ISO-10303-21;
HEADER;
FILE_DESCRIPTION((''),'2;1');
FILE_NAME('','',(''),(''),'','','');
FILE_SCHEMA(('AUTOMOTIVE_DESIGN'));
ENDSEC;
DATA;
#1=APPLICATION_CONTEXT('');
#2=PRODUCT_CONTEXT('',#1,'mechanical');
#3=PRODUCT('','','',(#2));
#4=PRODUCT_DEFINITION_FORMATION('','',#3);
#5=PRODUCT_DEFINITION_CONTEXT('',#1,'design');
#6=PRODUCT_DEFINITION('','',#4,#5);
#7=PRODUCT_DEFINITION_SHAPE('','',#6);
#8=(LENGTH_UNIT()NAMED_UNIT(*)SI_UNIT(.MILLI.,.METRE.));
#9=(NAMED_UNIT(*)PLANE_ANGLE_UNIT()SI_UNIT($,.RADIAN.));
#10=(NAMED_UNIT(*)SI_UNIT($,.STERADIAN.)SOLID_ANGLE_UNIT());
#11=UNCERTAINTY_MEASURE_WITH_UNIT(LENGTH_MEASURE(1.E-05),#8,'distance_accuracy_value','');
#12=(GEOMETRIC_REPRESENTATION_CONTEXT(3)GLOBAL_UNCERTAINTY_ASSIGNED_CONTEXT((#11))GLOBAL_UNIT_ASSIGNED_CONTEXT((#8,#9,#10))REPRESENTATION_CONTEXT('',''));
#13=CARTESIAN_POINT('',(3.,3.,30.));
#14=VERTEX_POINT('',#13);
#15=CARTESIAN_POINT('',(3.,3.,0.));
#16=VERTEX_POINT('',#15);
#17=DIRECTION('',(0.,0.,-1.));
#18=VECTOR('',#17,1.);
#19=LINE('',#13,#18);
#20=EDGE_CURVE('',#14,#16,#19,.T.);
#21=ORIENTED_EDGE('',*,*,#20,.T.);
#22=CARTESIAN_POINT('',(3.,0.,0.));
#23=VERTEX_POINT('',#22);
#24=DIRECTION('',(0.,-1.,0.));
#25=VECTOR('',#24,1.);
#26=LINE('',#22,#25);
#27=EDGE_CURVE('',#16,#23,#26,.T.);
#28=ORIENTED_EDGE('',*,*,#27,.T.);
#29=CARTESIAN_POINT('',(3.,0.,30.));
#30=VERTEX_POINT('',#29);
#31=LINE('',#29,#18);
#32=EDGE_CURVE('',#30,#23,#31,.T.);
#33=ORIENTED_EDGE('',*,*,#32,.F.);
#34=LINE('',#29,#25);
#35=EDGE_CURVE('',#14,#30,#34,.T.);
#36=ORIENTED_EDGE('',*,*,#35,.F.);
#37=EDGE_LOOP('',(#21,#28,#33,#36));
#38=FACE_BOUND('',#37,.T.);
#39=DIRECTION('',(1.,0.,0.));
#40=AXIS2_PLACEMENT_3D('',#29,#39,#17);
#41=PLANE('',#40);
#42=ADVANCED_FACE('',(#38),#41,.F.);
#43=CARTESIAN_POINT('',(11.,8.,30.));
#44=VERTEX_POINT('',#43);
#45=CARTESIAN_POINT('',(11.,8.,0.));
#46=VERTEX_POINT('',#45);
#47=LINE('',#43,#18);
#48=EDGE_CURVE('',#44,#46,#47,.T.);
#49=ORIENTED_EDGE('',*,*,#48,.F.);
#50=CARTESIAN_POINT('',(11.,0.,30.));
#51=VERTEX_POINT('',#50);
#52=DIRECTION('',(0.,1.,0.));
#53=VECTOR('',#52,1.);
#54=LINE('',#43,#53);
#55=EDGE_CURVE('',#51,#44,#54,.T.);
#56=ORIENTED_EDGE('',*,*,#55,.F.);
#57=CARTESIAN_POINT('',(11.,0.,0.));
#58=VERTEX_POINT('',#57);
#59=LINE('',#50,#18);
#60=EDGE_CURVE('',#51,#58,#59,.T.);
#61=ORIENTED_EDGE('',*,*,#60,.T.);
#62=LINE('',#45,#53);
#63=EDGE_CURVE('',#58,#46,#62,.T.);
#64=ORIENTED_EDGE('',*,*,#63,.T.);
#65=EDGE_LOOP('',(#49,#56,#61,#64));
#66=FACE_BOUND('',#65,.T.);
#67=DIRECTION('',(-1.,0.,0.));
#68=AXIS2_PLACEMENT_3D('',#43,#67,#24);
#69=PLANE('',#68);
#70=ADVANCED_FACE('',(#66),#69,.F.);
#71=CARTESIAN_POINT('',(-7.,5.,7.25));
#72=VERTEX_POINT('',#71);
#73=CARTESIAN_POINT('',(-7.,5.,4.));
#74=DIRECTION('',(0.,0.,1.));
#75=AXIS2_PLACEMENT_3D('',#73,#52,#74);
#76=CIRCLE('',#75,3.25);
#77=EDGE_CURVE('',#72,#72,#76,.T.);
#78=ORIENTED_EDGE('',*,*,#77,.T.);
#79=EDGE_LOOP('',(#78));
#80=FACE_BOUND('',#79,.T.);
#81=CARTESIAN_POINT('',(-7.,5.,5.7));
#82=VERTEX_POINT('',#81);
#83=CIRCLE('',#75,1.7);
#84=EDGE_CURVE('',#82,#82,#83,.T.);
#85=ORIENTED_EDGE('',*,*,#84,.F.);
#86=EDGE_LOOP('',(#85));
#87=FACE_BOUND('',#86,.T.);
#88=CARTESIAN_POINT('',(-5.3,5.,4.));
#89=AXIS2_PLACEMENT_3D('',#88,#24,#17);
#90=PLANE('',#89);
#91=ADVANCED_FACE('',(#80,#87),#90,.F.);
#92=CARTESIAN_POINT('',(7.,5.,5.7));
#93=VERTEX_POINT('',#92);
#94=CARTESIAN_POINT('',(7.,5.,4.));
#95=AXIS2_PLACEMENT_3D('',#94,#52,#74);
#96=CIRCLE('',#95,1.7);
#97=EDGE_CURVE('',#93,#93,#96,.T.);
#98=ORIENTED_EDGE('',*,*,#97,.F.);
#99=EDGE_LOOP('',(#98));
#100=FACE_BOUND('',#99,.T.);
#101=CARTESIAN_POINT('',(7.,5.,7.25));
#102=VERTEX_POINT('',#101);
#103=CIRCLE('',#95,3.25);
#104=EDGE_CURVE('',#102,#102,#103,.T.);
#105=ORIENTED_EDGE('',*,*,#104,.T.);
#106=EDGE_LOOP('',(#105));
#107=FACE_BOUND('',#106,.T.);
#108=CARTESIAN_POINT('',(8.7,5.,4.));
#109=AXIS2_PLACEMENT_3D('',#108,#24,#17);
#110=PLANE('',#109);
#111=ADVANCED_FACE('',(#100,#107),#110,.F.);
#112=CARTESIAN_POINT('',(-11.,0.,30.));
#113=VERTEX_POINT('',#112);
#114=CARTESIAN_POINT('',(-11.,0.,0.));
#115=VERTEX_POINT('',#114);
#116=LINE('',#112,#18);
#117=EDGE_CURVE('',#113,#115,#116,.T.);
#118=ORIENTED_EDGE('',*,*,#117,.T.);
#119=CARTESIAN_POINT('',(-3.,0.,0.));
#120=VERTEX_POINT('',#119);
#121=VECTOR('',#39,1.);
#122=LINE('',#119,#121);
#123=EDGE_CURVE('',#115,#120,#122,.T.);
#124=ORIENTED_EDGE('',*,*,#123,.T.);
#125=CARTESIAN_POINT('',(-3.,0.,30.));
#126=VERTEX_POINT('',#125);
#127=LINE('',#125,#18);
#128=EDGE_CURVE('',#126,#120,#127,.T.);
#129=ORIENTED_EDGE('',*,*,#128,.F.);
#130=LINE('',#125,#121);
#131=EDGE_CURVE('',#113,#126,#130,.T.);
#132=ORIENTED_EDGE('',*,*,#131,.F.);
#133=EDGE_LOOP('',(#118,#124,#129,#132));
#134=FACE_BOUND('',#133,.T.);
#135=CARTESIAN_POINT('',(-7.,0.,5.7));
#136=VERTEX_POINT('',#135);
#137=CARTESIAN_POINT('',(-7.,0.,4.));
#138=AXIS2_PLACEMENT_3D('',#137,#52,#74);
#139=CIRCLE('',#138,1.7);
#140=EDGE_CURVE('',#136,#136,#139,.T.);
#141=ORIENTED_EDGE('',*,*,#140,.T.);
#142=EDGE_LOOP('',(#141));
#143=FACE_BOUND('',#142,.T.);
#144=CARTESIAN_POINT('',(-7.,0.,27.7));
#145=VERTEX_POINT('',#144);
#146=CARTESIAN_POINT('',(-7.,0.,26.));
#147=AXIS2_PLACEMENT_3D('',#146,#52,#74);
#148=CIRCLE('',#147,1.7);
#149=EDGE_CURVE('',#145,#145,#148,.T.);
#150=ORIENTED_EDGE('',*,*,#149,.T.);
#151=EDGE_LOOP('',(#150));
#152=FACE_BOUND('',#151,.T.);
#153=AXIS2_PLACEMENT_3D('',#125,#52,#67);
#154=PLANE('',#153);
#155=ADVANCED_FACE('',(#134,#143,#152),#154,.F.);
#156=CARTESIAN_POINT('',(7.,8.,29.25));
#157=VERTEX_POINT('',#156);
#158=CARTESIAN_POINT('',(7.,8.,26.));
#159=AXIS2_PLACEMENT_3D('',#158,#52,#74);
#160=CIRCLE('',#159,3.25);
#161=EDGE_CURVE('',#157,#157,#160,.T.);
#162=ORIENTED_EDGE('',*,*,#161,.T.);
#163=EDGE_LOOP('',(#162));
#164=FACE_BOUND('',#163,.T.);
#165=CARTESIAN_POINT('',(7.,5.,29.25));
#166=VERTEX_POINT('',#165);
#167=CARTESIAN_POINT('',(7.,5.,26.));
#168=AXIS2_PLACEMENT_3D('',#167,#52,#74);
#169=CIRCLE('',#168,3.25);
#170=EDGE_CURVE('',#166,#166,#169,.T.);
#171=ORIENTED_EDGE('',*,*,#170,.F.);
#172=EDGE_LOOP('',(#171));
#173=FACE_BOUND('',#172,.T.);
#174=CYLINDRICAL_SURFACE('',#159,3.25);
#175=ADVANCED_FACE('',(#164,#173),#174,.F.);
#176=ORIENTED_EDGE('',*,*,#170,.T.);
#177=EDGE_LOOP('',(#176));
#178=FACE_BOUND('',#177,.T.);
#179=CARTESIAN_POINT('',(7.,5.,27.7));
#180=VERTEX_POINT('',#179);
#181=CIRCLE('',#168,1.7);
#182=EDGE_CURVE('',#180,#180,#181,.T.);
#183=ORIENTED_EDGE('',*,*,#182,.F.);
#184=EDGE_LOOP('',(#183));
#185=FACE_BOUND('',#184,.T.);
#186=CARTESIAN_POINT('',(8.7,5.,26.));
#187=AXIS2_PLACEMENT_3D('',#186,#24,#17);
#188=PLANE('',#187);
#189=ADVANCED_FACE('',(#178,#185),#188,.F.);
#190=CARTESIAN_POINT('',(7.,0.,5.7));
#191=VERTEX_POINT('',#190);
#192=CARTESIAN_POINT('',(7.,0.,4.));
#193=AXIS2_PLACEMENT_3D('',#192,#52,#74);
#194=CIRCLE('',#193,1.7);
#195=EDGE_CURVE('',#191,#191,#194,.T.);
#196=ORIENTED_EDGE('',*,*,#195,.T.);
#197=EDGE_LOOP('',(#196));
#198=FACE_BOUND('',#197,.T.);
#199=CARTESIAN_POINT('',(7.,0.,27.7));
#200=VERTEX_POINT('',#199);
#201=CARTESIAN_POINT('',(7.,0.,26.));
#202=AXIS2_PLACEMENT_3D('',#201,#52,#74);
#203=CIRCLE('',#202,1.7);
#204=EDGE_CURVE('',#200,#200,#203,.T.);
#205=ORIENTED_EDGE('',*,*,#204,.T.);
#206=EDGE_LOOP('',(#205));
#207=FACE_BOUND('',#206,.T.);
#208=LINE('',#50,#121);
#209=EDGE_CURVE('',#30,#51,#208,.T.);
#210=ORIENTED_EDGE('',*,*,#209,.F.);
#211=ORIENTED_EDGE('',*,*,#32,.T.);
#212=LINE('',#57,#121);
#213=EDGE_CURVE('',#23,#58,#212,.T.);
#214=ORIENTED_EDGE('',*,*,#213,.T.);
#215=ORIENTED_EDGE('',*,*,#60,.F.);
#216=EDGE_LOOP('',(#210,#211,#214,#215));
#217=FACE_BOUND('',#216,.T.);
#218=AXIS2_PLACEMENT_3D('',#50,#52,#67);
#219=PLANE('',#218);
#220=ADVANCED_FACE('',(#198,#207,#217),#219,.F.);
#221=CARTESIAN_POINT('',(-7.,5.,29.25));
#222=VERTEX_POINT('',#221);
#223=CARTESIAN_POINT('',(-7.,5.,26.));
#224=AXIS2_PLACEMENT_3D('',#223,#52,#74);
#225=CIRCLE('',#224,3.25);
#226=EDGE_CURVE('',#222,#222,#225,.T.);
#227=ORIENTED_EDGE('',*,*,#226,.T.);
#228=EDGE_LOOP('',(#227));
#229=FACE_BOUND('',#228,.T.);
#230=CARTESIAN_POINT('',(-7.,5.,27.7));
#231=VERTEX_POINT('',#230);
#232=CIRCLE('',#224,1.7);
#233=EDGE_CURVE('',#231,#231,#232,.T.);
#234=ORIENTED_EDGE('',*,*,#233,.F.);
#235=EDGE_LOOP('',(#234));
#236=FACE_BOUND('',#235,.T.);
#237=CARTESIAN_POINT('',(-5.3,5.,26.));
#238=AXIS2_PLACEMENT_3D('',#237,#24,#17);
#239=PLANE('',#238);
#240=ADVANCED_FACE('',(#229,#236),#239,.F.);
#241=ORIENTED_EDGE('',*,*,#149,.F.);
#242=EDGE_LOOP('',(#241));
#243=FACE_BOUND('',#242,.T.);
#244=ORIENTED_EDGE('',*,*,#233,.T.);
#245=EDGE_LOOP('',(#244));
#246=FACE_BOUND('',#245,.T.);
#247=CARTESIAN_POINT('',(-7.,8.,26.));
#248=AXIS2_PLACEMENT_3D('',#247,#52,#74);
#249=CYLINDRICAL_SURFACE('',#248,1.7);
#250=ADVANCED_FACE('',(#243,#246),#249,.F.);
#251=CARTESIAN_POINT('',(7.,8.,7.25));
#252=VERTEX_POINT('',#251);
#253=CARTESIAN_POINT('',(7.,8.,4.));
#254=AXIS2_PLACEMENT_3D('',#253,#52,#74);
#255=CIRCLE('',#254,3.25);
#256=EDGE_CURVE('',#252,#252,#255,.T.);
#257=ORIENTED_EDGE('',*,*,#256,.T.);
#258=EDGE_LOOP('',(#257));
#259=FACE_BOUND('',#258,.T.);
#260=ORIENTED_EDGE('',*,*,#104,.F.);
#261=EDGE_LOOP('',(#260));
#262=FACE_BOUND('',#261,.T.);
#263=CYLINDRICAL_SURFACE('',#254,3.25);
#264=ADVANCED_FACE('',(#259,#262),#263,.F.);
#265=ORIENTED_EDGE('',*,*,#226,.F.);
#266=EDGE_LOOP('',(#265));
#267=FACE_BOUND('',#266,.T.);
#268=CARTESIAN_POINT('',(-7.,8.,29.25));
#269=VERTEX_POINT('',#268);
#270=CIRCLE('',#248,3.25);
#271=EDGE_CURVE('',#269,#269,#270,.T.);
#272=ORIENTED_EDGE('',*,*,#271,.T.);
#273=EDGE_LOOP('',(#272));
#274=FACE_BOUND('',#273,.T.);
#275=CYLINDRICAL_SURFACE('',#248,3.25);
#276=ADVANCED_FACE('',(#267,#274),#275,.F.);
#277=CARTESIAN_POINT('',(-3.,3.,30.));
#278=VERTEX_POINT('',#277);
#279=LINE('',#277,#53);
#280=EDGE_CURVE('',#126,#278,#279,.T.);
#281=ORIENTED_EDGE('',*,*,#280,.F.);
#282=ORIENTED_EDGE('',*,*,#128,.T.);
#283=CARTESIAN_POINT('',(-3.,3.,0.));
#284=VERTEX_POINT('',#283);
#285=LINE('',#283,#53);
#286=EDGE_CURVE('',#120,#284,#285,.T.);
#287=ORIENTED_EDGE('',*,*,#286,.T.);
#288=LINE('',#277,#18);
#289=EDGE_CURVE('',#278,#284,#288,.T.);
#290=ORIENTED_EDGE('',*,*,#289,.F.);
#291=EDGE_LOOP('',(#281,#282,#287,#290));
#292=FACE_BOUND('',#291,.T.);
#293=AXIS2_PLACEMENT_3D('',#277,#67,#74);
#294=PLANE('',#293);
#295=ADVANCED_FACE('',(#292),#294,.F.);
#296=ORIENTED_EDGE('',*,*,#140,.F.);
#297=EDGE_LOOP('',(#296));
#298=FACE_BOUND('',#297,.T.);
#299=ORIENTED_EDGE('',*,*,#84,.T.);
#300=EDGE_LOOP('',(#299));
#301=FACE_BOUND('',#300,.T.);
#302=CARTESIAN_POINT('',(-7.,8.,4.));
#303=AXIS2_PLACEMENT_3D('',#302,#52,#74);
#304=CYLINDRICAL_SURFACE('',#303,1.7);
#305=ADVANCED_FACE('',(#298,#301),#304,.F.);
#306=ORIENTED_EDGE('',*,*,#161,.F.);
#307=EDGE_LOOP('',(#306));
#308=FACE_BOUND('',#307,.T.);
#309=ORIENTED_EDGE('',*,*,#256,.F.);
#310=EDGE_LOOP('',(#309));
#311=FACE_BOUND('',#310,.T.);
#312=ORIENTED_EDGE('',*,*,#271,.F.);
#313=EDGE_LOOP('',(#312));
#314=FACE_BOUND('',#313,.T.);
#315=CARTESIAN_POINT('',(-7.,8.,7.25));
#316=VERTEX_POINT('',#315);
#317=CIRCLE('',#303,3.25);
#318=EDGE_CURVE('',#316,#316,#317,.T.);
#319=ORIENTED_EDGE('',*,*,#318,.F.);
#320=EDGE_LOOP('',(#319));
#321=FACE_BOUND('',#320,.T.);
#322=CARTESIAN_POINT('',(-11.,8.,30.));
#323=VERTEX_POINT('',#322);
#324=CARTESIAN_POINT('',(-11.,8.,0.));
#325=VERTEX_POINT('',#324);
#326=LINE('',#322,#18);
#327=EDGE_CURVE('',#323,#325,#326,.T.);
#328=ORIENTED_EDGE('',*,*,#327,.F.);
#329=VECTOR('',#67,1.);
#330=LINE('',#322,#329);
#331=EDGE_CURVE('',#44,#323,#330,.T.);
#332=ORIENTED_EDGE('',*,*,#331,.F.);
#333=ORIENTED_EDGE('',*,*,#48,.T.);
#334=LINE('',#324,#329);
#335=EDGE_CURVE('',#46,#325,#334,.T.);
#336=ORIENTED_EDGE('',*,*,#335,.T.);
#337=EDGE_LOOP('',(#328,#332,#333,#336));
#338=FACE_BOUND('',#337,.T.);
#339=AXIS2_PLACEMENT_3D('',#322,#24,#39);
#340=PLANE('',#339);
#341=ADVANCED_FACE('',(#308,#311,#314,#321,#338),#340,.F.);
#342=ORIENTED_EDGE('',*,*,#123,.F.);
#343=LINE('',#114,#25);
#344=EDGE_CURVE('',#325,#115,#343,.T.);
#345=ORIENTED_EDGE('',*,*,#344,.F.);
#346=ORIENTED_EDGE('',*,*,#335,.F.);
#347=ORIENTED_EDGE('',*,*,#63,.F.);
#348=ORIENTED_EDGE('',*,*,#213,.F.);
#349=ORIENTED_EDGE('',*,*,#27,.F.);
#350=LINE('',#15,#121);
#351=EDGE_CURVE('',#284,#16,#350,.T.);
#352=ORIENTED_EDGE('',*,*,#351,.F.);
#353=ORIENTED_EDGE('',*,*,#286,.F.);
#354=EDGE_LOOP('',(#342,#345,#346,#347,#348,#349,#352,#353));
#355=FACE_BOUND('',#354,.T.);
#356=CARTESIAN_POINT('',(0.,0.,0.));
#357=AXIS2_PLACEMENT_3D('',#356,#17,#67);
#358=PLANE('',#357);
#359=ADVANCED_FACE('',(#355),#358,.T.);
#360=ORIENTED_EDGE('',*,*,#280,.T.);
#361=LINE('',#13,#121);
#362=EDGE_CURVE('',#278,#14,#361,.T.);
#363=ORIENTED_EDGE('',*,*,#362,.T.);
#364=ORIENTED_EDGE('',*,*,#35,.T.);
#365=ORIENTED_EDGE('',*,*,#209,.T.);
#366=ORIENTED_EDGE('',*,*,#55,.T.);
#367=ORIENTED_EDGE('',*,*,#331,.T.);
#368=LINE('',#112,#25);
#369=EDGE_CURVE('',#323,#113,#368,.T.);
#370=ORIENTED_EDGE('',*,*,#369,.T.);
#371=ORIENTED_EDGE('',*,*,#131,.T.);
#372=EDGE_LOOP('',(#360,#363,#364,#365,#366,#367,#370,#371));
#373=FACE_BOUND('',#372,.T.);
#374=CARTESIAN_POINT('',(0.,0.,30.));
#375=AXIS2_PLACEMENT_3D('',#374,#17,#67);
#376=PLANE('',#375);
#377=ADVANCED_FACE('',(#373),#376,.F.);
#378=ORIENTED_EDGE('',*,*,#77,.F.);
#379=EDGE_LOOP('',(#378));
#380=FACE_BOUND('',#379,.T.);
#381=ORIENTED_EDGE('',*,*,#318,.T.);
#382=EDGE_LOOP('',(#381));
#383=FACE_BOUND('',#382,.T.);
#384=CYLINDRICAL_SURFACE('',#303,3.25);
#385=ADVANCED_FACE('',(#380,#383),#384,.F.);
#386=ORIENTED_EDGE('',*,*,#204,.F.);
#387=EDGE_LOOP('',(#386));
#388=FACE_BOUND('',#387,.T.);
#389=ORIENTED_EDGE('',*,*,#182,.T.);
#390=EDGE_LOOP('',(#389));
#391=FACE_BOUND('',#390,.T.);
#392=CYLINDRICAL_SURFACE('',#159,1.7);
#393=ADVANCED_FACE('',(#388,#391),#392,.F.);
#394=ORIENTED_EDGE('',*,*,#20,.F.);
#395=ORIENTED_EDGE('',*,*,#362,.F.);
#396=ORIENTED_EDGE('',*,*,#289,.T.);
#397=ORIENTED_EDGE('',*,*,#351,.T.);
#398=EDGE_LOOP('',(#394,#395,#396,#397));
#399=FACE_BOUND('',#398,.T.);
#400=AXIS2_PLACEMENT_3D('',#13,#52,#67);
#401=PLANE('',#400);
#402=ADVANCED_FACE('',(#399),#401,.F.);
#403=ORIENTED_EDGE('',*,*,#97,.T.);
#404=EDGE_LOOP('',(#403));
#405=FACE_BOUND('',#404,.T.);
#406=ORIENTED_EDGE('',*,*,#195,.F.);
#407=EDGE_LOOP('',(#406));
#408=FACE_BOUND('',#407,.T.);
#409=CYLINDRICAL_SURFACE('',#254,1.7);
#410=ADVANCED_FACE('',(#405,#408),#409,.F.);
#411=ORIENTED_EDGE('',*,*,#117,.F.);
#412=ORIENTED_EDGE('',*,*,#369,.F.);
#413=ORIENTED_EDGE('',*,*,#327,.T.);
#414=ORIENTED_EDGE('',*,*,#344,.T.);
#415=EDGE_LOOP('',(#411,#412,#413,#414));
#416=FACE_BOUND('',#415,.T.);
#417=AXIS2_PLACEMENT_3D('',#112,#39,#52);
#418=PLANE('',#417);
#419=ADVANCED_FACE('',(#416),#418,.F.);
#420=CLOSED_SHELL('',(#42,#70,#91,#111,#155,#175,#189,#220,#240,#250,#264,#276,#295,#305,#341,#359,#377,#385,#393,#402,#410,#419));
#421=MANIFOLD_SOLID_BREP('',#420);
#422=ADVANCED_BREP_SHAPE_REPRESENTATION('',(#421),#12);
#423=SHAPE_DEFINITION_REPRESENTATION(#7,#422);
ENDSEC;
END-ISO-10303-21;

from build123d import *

# Parameters (mm, degrees)
EXTRUDE_1_DEPTH             = 30
HOLE_WIZARD_M31_D           = 3.4
HOLE_WIZARD_M31_CBORE_D     = 6.5
HOLE_WIZARD_M31_CBORE_DEPTH = 3


with BuildPart() as part:
    # Эскиз1 → Бобышка-Вытянуть1 (new body)
    with BuildSketch(Plane.XY):
        Polygon((-3, 0), (-11, 0), (-11, 8), (11, 8), (11, 0), (3, 0), (3, 3), (-3, 3), align=None)
    extrude(amount=EXTRUDE_1_DEPTH)

    # Цековка для винта с внутренним шестигранником M31 (through all)
    with Locations(Plane(origin=(0, 8, 0), x_dir=(1, 0, 0), z_dir=(0, 1, 0))):
        with Locations((-7, -4), (7, -4), (7, -26), (-7, -26)):
            CounterBoreHole(HOLE_WIZARD_M31_D / 2, HOLE_WIZARD_M31_CBORE_D / 2, HOLE_WIZARD_M31_CBORE_DEPTH)


solid = part.part
